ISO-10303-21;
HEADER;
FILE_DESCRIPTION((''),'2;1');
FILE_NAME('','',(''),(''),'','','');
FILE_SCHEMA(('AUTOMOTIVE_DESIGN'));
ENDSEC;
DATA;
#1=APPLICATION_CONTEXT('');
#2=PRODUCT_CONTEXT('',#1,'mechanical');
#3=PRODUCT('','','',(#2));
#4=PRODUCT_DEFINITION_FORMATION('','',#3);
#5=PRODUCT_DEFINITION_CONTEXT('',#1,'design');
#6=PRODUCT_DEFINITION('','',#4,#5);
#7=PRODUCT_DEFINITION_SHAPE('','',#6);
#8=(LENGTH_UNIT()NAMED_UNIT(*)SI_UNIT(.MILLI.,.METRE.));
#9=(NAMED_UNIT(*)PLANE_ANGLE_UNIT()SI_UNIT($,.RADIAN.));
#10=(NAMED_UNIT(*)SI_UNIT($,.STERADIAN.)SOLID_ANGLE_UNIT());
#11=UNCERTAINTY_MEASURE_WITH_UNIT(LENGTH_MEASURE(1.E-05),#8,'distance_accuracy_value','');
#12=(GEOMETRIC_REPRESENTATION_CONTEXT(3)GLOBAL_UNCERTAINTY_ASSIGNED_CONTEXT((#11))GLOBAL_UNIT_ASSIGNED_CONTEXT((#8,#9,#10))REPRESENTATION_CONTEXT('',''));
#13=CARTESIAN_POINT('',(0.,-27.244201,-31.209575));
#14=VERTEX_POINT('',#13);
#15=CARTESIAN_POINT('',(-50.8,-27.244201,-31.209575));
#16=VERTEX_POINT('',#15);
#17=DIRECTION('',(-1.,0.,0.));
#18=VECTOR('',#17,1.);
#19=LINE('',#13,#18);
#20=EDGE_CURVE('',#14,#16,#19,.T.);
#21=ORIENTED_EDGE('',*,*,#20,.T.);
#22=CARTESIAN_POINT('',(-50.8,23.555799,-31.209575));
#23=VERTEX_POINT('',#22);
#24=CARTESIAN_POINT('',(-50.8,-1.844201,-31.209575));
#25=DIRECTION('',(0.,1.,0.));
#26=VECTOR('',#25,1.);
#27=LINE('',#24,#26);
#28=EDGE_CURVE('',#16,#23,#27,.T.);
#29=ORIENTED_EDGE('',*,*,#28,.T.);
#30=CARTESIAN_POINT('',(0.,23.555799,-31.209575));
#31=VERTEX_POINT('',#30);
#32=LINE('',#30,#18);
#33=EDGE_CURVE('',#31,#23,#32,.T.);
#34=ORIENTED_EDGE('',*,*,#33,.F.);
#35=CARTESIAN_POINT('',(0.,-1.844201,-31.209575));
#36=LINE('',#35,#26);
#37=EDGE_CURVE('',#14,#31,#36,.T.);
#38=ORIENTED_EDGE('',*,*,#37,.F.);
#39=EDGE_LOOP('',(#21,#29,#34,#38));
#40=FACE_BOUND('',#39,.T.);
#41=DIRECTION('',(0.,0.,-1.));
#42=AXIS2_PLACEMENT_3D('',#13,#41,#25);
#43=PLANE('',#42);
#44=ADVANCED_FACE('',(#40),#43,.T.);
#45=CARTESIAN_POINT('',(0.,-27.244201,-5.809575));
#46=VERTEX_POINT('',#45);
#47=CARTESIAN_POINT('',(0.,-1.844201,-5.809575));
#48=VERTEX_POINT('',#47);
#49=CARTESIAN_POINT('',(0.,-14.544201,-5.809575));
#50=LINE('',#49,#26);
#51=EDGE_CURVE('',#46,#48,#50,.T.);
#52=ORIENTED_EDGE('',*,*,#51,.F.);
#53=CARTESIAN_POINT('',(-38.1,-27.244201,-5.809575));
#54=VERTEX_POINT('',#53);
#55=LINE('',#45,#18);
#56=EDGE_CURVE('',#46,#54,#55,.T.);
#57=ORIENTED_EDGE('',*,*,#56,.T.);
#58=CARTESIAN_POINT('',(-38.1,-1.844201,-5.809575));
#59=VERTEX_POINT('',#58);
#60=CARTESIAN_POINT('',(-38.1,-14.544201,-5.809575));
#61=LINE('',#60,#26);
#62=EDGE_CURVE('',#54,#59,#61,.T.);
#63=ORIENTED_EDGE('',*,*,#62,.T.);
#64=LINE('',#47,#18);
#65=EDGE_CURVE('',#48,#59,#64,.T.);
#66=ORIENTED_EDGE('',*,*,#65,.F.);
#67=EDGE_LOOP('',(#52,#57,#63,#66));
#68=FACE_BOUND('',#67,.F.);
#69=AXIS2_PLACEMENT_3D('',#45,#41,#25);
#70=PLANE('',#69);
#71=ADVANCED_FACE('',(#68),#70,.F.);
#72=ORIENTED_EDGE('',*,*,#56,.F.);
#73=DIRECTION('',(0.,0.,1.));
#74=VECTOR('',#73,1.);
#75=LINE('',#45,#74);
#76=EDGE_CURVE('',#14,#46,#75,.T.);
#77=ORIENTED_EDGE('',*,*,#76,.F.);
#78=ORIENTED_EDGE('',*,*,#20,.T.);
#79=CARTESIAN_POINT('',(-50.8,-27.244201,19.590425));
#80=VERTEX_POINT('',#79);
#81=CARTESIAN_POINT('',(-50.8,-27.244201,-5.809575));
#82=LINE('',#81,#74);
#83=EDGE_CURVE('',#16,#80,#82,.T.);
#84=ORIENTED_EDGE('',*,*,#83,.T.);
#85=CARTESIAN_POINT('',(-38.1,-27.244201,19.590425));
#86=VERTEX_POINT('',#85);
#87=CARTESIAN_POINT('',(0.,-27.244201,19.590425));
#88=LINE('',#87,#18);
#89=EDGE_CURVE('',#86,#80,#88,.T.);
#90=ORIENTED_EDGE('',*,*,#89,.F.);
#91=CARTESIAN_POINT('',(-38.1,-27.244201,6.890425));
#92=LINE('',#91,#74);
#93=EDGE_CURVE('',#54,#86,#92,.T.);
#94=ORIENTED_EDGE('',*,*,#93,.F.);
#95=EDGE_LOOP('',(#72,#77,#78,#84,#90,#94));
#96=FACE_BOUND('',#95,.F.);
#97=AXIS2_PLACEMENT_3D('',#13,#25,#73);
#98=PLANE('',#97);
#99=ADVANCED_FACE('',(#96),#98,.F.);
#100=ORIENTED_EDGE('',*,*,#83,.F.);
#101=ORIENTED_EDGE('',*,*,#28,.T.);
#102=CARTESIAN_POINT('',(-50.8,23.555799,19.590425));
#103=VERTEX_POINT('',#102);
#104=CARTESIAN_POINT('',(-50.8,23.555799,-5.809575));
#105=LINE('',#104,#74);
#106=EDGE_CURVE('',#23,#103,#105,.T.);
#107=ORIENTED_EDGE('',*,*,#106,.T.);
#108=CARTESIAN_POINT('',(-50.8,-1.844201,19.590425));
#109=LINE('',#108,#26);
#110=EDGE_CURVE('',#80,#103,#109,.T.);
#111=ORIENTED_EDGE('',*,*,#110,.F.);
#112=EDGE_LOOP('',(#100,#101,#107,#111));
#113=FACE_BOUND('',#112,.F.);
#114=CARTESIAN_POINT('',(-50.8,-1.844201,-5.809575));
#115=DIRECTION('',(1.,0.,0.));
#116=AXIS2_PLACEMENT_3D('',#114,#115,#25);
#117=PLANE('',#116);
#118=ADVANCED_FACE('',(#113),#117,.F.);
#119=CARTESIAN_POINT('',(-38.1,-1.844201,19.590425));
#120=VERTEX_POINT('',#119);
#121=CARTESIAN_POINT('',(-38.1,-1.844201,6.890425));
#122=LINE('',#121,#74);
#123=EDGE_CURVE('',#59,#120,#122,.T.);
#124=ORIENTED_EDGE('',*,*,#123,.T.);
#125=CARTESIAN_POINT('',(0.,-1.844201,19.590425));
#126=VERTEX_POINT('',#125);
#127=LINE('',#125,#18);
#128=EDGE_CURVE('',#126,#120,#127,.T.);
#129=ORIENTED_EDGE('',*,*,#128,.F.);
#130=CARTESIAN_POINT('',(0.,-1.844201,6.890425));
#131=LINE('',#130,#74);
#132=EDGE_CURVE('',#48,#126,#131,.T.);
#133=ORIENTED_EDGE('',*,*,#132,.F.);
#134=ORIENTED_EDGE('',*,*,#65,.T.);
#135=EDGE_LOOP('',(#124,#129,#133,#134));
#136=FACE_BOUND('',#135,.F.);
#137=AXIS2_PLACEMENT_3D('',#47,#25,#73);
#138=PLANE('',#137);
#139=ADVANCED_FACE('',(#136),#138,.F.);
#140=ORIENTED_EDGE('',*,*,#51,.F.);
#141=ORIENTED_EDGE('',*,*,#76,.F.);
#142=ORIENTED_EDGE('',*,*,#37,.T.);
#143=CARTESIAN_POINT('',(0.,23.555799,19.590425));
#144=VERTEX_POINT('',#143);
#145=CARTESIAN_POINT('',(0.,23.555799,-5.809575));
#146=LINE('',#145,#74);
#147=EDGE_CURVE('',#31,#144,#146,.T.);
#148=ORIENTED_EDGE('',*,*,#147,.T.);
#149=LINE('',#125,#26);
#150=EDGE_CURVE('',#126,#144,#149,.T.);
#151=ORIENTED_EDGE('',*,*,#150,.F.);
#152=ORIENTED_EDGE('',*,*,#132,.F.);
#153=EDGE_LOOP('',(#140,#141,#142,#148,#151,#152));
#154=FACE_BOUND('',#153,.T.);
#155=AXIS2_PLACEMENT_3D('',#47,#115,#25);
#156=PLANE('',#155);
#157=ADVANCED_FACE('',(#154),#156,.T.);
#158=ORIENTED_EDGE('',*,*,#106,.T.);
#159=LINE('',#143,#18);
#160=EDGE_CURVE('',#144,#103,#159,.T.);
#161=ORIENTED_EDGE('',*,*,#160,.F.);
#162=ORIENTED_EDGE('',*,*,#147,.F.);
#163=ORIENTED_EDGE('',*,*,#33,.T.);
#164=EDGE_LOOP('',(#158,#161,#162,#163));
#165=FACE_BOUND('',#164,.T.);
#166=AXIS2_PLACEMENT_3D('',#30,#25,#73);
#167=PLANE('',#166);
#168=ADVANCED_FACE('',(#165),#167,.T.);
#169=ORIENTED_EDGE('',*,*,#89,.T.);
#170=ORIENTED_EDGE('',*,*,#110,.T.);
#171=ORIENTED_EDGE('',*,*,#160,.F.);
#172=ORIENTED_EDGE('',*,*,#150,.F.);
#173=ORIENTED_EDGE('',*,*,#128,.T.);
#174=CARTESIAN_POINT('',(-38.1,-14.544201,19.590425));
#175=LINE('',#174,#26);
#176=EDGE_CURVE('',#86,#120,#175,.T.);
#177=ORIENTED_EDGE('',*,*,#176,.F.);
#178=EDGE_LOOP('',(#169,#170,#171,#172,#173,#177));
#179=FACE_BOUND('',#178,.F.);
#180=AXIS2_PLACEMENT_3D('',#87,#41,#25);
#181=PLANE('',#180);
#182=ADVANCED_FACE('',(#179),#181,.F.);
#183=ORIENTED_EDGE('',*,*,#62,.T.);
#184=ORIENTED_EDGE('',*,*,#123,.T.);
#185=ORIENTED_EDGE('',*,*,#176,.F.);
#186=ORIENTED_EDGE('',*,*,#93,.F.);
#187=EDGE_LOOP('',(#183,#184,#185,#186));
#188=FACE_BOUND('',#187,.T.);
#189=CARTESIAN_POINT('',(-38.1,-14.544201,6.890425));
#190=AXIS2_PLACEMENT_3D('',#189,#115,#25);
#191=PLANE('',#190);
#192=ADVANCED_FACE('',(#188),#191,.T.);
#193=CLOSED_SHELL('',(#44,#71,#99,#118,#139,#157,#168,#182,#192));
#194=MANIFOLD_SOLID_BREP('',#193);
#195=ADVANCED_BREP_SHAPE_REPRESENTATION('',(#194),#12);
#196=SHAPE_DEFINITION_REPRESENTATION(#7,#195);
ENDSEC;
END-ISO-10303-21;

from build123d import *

# Parameters (mm, degrees)
F0_W     = 50.8
F0_H     = 50.8
F1_DEPTH = 50.8
F2_W     = 25.4
F2_H     = 25.4
F3_DEPTH = 38.1


with BuildPart() as f1:
    # F0 (on Right) → F1 (new body)
    with BuildSketch(Plane.YZ):
        with Locations((-1.844201, -5.809575)):
            Rectangle(F0_W, F0_H)
    extrude(amount=-F1_DEPTH)

    # F2 (on face) → F3 (cut)
    with BuildSketch(Plane.YZ):
        with Locations((-14.544201, 6.890425)):
            Rectangle(F2_W, F2_H)
    extrude(amount=-F3_DEPTH, mode=Mode.SUBTRACT)


solid = f1.part
